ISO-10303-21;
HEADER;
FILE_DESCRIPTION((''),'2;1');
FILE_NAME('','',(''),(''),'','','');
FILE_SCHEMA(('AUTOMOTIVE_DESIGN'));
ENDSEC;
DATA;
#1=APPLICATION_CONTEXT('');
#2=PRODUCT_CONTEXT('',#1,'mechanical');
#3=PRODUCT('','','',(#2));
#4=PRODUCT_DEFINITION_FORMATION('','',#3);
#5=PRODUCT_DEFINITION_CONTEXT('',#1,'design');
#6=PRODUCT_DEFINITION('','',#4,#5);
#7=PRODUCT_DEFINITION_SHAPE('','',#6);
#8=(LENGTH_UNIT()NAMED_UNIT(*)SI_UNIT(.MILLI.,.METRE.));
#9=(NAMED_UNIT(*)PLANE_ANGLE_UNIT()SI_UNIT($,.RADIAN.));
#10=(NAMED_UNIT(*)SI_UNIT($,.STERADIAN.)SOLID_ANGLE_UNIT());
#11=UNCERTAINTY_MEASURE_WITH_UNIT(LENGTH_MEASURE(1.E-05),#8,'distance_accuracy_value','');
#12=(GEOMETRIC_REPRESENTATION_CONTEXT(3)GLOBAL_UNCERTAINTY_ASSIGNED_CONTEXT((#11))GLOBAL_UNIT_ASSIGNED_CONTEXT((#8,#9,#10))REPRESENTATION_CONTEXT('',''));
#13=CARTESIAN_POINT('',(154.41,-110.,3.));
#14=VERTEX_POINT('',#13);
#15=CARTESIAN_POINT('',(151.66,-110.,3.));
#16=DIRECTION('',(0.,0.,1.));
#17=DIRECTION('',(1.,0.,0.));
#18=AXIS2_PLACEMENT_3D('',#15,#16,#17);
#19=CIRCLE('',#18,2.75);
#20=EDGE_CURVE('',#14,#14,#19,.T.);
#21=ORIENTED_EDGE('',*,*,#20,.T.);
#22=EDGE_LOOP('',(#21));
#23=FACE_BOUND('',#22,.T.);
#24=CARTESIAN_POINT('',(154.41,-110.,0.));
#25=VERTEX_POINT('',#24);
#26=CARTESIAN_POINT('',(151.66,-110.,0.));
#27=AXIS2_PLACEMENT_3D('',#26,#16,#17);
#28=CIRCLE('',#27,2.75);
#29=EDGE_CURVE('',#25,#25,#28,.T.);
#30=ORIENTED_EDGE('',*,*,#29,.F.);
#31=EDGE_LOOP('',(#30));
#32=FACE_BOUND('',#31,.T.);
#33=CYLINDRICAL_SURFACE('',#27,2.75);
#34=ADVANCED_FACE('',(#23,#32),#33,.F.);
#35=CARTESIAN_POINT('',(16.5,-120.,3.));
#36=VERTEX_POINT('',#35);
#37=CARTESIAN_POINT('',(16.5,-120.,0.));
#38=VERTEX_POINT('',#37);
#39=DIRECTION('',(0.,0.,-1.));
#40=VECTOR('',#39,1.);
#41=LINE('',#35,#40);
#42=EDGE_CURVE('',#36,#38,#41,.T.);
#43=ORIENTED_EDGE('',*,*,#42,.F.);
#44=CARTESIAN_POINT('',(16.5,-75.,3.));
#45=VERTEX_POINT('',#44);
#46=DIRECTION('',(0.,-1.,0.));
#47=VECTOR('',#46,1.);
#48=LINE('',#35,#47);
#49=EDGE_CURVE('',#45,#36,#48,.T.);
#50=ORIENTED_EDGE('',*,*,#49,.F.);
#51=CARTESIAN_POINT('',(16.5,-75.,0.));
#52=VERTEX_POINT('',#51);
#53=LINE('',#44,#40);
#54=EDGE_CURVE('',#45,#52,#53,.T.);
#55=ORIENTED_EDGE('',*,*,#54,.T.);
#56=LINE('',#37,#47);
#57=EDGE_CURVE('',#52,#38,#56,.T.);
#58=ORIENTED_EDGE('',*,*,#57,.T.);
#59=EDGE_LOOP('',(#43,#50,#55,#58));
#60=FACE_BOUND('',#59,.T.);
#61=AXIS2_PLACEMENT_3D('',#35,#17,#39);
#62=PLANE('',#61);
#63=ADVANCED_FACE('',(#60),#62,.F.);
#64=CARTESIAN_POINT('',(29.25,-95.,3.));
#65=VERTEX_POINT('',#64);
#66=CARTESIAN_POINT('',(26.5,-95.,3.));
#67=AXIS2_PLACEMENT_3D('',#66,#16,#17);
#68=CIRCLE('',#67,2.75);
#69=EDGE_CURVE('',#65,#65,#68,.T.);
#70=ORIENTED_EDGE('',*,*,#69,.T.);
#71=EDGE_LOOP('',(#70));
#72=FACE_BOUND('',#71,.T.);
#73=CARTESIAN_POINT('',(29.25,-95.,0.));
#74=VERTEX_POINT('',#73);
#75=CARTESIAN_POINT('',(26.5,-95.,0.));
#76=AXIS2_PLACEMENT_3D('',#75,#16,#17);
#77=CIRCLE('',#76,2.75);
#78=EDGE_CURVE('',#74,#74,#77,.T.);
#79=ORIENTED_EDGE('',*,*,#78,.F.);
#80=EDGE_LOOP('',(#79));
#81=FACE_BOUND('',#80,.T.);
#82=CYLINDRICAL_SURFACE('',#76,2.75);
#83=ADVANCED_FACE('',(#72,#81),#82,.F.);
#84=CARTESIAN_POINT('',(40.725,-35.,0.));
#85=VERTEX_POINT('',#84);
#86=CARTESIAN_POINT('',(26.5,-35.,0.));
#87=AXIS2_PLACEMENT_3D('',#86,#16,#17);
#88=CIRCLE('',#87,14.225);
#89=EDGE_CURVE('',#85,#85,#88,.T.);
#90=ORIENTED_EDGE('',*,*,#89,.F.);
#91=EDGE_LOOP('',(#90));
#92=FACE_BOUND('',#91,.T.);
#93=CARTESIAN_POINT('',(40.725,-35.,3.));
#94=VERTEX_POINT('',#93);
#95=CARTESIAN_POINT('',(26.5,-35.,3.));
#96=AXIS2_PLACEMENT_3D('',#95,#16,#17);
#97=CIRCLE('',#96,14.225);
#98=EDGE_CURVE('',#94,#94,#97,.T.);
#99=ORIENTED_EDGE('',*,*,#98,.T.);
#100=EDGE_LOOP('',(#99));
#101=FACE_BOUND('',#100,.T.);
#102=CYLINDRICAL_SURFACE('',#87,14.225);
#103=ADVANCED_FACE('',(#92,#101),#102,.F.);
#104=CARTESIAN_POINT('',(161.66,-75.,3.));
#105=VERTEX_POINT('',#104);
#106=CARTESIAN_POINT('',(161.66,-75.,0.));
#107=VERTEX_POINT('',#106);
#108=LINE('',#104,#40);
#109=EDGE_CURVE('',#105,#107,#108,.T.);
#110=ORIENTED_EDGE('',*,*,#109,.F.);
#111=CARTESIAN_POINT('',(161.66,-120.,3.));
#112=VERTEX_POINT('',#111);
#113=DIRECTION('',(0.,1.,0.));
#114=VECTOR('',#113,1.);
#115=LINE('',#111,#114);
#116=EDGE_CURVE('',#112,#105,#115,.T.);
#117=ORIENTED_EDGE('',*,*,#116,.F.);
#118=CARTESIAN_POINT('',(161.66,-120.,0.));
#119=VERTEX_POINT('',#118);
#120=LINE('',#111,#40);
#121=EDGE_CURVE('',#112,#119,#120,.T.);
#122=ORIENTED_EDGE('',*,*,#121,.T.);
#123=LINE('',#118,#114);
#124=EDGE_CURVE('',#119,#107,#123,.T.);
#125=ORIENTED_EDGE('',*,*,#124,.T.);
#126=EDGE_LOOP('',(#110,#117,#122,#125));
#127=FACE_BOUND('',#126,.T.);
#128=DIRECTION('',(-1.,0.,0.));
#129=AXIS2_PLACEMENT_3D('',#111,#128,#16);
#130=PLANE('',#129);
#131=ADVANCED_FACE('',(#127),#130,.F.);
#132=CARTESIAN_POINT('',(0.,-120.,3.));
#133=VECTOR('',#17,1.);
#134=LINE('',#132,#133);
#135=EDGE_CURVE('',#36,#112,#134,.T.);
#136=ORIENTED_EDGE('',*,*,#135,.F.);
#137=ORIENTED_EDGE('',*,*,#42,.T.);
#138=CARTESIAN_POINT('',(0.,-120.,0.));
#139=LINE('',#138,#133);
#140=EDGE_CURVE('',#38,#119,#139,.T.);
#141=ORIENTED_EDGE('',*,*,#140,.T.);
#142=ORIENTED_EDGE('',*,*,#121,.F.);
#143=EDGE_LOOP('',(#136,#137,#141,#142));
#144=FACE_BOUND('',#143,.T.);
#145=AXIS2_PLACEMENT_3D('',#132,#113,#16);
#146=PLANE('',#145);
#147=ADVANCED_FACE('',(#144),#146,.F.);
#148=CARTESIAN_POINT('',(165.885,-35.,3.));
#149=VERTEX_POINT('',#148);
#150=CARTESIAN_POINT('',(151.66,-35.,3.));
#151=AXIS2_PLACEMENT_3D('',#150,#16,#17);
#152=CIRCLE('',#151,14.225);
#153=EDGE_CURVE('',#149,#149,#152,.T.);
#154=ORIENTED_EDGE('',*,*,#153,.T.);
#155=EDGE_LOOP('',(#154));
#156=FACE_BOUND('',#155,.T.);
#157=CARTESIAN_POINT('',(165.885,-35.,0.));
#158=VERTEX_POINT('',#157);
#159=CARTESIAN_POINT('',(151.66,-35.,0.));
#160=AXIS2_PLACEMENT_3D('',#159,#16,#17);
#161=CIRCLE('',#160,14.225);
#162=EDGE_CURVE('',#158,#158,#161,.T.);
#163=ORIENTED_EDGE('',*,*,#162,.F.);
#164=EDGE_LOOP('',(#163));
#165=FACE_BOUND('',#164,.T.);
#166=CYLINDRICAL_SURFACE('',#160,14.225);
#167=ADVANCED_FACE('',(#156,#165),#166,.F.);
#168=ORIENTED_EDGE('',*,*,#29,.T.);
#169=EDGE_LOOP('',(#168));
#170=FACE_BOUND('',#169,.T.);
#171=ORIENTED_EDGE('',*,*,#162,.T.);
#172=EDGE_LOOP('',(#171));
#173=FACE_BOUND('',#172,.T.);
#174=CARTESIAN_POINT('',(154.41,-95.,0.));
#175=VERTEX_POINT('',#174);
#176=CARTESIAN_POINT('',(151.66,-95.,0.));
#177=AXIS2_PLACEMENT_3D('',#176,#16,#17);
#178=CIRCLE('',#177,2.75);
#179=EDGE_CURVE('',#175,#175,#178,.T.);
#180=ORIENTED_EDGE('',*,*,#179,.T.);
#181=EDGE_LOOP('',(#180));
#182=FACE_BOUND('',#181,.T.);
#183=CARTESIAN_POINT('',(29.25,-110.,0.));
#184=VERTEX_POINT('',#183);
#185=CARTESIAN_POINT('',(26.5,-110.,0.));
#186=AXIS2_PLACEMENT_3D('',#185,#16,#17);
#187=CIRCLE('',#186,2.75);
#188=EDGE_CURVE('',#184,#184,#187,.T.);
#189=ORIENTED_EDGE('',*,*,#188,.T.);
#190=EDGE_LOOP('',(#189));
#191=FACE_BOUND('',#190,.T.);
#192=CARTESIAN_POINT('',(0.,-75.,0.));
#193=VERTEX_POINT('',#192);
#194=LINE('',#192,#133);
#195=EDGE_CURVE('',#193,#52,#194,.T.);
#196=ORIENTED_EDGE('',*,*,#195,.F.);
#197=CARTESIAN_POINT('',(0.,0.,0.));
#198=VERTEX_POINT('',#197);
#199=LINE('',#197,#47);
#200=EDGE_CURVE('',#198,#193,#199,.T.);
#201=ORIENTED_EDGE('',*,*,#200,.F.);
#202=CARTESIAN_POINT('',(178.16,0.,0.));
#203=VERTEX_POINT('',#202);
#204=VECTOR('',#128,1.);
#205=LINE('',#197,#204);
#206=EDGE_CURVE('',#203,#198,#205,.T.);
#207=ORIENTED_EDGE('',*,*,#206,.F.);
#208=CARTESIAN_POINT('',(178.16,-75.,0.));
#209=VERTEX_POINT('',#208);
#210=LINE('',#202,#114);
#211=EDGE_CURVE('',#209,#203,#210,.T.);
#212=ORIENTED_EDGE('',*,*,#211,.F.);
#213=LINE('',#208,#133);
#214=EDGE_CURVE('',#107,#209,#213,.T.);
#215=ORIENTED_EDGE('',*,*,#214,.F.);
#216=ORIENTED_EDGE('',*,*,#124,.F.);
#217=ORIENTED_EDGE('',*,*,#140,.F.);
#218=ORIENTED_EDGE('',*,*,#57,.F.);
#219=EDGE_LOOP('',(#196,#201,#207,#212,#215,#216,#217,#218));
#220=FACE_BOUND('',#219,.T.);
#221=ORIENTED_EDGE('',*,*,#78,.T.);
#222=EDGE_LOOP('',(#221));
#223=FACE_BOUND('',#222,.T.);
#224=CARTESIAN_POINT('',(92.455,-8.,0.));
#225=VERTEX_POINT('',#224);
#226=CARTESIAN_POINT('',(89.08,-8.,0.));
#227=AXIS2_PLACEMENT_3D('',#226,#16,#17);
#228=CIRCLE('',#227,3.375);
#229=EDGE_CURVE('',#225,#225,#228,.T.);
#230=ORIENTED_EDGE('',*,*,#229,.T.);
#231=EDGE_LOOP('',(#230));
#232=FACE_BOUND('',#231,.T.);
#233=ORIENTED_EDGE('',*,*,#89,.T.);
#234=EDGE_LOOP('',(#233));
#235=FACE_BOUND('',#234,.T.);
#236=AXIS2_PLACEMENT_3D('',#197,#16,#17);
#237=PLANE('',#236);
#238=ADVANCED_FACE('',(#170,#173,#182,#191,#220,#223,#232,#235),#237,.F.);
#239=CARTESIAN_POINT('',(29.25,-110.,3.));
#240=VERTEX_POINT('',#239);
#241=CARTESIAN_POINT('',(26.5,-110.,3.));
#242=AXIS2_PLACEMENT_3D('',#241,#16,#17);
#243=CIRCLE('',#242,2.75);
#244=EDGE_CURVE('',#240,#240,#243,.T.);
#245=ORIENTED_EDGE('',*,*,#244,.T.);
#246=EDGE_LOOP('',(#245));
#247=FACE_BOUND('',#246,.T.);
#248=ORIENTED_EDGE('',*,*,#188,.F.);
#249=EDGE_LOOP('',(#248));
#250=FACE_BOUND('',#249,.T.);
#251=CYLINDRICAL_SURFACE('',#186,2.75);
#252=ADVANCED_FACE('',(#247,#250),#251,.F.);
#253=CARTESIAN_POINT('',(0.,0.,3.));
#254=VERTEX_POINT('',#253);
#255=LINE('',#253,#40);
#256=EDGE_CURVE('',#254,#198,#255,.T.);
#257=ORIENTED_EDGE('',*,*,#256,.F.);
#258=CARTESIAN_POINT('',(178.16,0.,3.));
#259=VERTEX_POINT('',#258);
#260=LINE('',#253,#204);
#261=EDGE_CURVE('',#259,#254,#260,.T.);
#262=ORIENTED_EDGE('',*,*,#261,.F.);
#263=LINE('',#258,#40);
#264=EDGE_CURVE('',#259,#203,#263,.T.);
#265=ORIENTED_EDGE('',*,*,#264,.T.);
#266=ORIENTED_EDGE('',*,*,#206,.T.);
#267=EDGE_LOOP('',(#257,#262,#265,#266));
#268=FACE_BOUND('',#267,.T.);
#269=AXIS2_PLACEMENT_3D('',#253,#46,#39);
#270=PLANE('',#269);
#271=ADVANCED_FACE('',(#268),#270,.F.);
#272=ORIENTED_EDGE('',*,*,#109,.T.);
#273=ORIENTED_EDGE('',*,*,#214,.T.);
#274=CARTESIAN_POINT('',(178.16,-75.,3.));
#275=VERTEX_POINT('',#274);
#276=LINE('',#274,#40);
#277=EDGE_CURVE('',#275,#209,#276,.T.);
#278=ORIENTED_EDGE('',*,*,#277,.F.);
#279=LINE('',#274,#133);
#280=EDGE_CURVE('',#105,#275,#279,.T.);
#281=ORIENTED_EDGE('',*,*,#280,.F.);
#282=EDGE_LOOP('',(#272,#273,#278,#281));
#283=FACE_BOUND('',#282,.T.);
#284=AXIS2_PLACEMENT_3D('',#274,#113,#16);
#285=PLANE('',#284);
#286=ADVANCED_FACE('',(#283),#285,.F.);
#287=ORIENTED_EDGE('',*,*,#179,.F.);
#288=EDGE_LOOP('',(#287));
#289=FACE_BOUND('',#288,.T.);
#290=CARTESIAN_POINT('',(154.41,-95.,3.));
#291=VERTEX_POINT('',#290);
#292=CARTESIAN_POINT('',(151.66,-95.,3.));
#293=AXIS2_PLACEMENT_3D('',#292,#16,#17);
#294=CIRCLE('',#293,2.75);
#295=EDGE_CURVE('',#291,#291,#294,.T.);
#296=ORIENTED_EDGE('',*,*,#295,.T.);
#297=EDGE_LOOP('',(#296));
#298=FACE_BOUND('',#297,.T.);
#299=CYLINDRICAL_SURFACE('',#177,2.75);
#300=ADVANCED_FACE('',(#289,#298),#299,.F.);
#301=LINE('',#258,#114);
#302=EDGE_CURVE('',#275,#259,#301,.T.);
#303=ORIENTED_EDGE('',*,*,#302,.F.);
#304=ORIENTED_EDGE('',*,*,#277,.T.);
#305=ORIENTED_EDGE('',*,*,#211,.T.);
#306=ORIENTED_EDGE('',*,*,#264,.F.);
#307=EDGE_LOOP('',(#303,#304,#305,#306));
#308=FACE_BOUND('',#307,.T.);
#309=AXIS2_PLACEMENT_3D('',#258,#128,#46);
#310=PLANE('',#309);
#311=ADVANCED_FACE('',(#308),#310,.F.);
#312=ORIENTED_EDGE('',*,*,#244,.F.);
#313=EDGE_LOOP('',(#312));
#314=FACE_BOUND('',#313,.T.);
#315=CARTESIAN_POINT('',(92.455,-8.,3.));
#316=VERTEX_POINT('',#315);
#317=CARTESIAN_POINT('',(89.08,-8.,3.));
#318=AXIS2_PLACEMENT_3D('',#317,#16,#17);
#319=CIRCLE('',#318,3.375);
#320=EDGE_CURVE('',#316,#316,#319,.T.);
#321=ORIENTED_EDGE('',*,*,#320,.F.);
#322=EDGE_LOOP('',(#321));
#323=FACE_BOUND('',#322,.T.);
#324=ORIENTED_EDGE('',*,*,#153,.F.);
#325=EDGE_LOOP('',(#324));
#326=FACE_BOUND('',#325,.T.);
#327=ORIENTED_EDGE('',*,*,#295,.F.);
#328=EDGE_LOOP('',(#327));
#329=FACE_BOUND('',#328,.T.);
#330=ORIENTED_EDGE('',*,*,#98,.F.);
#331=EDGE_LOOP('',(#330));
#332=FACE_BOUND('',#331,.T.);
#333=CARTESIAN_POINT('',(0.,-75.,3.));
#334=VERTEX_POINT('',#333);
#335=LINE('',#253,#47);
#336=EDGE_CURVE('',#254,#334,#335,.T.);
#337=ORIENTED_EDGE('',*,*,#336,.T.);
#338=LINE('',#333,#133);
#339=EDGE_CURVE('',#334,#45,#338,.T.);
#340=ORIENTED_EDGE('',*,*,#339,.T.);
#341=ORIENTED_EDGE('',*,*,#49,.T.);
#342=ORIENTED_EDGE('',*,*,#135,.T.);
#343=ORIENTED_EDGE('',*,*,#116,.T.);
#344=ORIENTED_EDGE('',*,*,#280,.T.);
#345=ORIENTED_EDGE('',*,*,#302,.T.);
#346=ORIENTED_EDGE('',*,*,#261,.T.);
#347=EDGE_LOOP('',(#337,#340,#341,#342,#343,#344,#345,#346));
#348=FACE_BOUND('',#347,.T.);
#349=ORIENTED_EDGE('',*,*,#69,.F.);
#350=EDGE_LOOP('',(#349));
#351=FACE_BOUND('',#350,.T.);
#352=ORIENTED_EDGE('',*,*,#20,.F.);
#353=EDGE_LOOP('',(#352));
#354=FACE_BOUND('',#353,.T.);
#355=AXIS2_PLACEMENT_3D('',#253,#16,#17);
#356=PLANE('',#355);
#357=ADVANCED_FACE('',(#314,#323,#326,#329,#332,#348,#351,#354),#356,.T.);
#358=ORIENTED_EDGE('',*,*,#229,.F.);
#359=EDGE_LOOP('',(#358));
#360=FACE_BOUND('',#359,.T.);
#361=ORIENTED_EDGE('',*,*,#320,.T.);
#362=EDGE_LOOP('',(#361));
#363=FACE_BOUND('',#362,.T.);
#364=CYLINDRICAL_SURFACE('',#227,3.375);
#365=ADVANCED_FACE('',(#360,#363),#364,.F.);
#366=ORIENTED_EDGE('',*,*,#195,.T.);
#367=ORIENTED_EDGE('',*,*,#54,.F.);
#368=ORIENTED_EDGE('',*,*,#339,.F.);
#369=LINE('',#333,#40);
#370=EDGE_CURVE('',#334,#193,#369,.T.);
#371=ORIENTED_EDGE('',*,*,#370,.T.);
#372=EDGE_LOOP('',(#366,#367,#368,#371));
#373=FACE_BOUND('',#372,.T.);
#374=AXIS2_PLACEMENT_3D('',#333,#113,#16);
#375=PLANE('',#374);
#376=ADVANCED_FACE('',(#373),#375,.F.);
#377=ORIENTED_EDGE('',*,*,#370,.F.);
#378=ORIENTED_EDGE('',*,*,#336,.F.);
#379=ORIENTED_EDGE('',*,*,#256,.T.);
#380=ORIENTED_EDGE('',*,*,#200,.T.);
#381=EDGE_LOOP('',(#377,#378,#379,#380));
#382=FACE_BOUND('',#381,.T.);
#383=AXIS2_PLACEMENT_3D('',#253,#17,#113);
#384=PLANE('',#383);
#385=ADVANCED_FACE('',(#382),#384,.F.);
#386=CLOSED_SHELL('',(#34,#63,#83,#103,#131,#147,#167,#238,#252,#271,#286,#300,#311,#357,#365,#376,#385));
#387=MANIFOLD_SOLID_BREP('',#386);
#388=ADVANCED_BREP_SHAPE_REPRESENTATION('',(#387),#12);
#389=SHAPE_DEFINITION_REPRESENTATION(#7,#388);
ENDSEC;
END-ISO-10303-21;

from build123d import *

# Parameters (mm, degrees)
SKETCH1_W           = 178.16
SKETCH1_H           = 120
BOSS_EXTRUDE1_DEPTH = 3
SKETCH2_R           = 14.225
SKETCH2_R_2         = 2.75
SKETCH2_R_3         = 3.375
CUT_EXTRUDE1_DEPTH  = 4
SKETCH3_W           = 16.5
SKETCH3_H           = 45
CUT_EXTRUDE2_DEPTH  = 4


with BuildPart() as part:
    # Sketch1 → Boss-Extrude1 (new body)
    with BuildSketch(Plane.XY):
        with Locations((89.08, -60)):
            Rectangle(SKETCH1_W, SKETCH1_H)
    extrude(amount=BOSS_EXTRUDE1_DEPTH)

    # Sketch2 → Cut-Extrude1 (cut, through all)
    with BuildSketch(Plane.XY.offset(3)):
        with Locations((26.5, -35)):
            Circle(SKETCH2_R)
        with Locations((151.66, -35)):
            Circle(SKETCH2_R)
        with Locations((26.5, -110)):
            Circle(SKETCH2_R_2)
        with Locations((151.66, -110)):
            Circle(SKETCH2_R_2)
        with Locations((89.08, -8)):
            Circle(SKETCH2_R_3)
        with Locations((26.5, -95)):
            Circle(SKETCH2_R_2)
        with Locations((151.66, -95)):
            Circle(SKETCH2_R_2)
    extrude(amount=-CUT_EXTRUDE1_DEPTH, mode=Mode.SUBTRACT)

    # Sketch3 → Cut-Extrude2 (cut, through all)
    with BuildSketch(Plane(origin=(0, 0, 0), x_dir=(-1, 0, 0), z_dir=(0, 0, -1))):
        with Locations((-8.25, -97.5)):
            Rectangle(SKETCH3_W, SKETCH3_H)
        with Locations((-169.91, -97.5)):
            Rectangle(SKETCH3_W, SKETCH3_H)
    extrude(amount=-CUT_EXTRUDE2_DEPTH, mode=Mode.SUBTRACT)


solid = part.part
